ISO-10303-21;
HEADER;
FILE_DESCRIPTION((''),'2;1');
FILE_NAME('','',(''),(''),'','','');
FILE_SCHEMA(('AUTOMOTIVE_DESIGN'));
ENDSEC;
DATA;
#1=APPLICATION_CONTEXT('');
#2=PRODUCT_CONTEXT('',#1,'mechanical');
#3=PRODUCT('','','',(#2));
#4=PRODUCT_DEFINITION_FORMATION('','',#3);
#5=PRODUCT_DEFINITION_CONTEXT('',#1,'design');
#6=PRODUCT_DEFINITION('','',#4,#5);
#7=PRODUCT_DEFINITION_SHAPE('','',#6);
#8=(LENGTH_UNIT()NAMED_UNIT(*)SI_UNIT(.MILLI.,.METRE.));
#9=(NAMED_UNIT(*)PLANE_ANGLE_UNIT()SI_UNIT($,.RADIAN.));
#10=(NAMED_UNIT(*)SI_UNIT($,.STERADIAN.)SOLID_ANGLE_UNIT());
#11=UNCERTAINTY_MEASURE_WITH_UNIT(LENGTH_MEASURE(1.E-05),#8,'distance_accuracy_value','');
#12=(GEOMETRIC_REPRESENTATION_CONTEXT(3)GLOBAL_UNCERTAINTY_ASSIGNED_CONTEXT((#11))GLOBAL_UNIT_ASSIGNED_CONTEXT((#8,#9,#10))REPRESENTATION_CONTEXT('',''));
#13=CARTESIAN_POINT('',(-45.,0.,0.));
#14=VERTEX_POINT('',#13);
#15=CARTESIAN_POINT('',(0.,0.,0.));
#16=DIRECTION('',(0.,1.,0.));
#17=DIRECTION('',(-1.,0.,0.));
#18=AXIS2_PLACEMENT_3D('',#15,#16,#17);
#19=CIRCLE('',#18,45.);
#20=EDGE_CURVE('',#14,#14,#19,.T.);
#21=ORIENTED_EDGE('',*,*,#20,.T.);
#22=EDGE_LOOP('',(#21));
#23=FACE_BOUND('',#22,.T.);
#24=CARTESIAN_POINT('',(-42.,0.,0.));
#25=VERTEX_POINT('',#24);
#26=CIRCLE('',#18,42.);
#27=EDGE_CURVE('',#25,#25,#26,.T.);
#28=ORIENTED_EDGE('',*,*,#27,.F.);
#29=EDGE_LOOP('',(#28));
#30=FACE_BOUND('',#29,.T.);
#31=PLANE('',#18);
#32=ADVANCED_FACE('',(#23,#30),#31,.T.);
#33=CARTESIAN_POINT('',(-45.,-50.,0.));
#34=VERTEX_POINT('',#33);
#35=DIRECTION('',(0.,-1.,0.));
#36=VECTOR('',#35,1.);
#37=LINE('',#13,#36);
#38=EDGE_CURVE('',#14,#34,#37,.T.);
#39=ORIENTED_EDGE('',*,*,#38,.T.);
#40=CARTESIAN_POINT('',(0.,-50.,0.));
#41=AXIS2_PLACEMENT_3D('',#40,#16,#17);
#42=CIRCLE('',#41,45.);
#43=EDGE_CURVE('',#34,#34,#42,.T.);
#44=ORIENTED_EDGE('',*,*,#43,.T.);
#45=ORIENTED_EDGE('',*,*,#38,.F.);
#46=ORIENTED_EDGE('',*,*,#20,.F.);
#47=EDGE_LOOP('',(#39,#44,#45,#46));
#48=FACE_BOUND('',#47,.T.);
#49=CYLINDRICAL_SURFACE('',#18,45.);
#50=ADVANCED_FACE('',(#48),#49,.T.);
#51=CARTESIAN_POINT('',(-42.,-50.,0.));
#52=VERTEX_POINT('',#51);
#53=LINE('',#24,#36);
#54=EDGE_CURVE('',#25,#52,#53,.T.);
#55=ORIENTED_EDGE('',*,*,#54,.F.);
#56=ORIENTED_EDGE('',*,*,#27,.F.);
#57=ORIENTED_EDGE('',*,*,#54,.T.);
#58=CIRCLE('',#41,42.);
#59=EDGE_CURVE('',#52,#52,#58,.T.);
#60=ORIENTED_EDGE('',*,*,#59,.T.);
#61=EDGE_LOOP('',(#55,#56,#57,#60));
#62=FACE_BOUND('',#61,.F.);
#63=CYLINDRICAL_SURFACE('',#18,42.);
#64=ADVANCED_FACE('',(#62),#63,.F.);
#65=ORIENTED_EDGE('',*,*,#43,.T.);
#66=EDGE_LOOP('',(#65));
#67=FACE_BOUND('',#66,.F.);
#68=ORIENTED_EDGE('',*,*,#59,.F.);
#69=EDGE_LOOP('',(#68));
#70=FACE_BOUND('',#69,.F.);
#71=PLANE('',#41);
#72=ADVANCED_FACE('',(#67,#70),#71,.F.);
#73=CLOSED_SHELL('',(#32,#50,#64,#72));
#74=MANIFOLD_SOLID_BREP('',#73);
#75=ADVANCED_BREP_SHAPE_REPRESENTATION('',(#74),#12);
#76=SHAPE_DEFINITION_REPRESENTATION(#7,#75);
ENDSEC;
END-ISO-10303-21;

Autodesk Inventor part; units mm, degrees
ref_plane "YZ Plane" through (0, 0, 0) normal (1, 0, 0) x (0, 1, 0)
ref_plane "XZ Plane" through (0, 0, 0) normal (0, 1, 0) x (-1, 0, 0)
ref_plane "XY Plane" through (0, 0, 0) normal (0, 0, 1) x (1, 0, 0)
sketch "Sketch1" plane through (0, 0, 0) normal (0, 1, 0) x (-1, 0, 0)
  circle A0 centre (0, 0) radius 45
  circle A1 centre (0, 0) radius 42
  dimension "d0" = 90
  dimension "d1" = 3
extrude "Extrusion1" add sketch "Sketch1" against normal blind 50
properties part number "PRS 1611 hatch tube 500mm" material "Steel"
